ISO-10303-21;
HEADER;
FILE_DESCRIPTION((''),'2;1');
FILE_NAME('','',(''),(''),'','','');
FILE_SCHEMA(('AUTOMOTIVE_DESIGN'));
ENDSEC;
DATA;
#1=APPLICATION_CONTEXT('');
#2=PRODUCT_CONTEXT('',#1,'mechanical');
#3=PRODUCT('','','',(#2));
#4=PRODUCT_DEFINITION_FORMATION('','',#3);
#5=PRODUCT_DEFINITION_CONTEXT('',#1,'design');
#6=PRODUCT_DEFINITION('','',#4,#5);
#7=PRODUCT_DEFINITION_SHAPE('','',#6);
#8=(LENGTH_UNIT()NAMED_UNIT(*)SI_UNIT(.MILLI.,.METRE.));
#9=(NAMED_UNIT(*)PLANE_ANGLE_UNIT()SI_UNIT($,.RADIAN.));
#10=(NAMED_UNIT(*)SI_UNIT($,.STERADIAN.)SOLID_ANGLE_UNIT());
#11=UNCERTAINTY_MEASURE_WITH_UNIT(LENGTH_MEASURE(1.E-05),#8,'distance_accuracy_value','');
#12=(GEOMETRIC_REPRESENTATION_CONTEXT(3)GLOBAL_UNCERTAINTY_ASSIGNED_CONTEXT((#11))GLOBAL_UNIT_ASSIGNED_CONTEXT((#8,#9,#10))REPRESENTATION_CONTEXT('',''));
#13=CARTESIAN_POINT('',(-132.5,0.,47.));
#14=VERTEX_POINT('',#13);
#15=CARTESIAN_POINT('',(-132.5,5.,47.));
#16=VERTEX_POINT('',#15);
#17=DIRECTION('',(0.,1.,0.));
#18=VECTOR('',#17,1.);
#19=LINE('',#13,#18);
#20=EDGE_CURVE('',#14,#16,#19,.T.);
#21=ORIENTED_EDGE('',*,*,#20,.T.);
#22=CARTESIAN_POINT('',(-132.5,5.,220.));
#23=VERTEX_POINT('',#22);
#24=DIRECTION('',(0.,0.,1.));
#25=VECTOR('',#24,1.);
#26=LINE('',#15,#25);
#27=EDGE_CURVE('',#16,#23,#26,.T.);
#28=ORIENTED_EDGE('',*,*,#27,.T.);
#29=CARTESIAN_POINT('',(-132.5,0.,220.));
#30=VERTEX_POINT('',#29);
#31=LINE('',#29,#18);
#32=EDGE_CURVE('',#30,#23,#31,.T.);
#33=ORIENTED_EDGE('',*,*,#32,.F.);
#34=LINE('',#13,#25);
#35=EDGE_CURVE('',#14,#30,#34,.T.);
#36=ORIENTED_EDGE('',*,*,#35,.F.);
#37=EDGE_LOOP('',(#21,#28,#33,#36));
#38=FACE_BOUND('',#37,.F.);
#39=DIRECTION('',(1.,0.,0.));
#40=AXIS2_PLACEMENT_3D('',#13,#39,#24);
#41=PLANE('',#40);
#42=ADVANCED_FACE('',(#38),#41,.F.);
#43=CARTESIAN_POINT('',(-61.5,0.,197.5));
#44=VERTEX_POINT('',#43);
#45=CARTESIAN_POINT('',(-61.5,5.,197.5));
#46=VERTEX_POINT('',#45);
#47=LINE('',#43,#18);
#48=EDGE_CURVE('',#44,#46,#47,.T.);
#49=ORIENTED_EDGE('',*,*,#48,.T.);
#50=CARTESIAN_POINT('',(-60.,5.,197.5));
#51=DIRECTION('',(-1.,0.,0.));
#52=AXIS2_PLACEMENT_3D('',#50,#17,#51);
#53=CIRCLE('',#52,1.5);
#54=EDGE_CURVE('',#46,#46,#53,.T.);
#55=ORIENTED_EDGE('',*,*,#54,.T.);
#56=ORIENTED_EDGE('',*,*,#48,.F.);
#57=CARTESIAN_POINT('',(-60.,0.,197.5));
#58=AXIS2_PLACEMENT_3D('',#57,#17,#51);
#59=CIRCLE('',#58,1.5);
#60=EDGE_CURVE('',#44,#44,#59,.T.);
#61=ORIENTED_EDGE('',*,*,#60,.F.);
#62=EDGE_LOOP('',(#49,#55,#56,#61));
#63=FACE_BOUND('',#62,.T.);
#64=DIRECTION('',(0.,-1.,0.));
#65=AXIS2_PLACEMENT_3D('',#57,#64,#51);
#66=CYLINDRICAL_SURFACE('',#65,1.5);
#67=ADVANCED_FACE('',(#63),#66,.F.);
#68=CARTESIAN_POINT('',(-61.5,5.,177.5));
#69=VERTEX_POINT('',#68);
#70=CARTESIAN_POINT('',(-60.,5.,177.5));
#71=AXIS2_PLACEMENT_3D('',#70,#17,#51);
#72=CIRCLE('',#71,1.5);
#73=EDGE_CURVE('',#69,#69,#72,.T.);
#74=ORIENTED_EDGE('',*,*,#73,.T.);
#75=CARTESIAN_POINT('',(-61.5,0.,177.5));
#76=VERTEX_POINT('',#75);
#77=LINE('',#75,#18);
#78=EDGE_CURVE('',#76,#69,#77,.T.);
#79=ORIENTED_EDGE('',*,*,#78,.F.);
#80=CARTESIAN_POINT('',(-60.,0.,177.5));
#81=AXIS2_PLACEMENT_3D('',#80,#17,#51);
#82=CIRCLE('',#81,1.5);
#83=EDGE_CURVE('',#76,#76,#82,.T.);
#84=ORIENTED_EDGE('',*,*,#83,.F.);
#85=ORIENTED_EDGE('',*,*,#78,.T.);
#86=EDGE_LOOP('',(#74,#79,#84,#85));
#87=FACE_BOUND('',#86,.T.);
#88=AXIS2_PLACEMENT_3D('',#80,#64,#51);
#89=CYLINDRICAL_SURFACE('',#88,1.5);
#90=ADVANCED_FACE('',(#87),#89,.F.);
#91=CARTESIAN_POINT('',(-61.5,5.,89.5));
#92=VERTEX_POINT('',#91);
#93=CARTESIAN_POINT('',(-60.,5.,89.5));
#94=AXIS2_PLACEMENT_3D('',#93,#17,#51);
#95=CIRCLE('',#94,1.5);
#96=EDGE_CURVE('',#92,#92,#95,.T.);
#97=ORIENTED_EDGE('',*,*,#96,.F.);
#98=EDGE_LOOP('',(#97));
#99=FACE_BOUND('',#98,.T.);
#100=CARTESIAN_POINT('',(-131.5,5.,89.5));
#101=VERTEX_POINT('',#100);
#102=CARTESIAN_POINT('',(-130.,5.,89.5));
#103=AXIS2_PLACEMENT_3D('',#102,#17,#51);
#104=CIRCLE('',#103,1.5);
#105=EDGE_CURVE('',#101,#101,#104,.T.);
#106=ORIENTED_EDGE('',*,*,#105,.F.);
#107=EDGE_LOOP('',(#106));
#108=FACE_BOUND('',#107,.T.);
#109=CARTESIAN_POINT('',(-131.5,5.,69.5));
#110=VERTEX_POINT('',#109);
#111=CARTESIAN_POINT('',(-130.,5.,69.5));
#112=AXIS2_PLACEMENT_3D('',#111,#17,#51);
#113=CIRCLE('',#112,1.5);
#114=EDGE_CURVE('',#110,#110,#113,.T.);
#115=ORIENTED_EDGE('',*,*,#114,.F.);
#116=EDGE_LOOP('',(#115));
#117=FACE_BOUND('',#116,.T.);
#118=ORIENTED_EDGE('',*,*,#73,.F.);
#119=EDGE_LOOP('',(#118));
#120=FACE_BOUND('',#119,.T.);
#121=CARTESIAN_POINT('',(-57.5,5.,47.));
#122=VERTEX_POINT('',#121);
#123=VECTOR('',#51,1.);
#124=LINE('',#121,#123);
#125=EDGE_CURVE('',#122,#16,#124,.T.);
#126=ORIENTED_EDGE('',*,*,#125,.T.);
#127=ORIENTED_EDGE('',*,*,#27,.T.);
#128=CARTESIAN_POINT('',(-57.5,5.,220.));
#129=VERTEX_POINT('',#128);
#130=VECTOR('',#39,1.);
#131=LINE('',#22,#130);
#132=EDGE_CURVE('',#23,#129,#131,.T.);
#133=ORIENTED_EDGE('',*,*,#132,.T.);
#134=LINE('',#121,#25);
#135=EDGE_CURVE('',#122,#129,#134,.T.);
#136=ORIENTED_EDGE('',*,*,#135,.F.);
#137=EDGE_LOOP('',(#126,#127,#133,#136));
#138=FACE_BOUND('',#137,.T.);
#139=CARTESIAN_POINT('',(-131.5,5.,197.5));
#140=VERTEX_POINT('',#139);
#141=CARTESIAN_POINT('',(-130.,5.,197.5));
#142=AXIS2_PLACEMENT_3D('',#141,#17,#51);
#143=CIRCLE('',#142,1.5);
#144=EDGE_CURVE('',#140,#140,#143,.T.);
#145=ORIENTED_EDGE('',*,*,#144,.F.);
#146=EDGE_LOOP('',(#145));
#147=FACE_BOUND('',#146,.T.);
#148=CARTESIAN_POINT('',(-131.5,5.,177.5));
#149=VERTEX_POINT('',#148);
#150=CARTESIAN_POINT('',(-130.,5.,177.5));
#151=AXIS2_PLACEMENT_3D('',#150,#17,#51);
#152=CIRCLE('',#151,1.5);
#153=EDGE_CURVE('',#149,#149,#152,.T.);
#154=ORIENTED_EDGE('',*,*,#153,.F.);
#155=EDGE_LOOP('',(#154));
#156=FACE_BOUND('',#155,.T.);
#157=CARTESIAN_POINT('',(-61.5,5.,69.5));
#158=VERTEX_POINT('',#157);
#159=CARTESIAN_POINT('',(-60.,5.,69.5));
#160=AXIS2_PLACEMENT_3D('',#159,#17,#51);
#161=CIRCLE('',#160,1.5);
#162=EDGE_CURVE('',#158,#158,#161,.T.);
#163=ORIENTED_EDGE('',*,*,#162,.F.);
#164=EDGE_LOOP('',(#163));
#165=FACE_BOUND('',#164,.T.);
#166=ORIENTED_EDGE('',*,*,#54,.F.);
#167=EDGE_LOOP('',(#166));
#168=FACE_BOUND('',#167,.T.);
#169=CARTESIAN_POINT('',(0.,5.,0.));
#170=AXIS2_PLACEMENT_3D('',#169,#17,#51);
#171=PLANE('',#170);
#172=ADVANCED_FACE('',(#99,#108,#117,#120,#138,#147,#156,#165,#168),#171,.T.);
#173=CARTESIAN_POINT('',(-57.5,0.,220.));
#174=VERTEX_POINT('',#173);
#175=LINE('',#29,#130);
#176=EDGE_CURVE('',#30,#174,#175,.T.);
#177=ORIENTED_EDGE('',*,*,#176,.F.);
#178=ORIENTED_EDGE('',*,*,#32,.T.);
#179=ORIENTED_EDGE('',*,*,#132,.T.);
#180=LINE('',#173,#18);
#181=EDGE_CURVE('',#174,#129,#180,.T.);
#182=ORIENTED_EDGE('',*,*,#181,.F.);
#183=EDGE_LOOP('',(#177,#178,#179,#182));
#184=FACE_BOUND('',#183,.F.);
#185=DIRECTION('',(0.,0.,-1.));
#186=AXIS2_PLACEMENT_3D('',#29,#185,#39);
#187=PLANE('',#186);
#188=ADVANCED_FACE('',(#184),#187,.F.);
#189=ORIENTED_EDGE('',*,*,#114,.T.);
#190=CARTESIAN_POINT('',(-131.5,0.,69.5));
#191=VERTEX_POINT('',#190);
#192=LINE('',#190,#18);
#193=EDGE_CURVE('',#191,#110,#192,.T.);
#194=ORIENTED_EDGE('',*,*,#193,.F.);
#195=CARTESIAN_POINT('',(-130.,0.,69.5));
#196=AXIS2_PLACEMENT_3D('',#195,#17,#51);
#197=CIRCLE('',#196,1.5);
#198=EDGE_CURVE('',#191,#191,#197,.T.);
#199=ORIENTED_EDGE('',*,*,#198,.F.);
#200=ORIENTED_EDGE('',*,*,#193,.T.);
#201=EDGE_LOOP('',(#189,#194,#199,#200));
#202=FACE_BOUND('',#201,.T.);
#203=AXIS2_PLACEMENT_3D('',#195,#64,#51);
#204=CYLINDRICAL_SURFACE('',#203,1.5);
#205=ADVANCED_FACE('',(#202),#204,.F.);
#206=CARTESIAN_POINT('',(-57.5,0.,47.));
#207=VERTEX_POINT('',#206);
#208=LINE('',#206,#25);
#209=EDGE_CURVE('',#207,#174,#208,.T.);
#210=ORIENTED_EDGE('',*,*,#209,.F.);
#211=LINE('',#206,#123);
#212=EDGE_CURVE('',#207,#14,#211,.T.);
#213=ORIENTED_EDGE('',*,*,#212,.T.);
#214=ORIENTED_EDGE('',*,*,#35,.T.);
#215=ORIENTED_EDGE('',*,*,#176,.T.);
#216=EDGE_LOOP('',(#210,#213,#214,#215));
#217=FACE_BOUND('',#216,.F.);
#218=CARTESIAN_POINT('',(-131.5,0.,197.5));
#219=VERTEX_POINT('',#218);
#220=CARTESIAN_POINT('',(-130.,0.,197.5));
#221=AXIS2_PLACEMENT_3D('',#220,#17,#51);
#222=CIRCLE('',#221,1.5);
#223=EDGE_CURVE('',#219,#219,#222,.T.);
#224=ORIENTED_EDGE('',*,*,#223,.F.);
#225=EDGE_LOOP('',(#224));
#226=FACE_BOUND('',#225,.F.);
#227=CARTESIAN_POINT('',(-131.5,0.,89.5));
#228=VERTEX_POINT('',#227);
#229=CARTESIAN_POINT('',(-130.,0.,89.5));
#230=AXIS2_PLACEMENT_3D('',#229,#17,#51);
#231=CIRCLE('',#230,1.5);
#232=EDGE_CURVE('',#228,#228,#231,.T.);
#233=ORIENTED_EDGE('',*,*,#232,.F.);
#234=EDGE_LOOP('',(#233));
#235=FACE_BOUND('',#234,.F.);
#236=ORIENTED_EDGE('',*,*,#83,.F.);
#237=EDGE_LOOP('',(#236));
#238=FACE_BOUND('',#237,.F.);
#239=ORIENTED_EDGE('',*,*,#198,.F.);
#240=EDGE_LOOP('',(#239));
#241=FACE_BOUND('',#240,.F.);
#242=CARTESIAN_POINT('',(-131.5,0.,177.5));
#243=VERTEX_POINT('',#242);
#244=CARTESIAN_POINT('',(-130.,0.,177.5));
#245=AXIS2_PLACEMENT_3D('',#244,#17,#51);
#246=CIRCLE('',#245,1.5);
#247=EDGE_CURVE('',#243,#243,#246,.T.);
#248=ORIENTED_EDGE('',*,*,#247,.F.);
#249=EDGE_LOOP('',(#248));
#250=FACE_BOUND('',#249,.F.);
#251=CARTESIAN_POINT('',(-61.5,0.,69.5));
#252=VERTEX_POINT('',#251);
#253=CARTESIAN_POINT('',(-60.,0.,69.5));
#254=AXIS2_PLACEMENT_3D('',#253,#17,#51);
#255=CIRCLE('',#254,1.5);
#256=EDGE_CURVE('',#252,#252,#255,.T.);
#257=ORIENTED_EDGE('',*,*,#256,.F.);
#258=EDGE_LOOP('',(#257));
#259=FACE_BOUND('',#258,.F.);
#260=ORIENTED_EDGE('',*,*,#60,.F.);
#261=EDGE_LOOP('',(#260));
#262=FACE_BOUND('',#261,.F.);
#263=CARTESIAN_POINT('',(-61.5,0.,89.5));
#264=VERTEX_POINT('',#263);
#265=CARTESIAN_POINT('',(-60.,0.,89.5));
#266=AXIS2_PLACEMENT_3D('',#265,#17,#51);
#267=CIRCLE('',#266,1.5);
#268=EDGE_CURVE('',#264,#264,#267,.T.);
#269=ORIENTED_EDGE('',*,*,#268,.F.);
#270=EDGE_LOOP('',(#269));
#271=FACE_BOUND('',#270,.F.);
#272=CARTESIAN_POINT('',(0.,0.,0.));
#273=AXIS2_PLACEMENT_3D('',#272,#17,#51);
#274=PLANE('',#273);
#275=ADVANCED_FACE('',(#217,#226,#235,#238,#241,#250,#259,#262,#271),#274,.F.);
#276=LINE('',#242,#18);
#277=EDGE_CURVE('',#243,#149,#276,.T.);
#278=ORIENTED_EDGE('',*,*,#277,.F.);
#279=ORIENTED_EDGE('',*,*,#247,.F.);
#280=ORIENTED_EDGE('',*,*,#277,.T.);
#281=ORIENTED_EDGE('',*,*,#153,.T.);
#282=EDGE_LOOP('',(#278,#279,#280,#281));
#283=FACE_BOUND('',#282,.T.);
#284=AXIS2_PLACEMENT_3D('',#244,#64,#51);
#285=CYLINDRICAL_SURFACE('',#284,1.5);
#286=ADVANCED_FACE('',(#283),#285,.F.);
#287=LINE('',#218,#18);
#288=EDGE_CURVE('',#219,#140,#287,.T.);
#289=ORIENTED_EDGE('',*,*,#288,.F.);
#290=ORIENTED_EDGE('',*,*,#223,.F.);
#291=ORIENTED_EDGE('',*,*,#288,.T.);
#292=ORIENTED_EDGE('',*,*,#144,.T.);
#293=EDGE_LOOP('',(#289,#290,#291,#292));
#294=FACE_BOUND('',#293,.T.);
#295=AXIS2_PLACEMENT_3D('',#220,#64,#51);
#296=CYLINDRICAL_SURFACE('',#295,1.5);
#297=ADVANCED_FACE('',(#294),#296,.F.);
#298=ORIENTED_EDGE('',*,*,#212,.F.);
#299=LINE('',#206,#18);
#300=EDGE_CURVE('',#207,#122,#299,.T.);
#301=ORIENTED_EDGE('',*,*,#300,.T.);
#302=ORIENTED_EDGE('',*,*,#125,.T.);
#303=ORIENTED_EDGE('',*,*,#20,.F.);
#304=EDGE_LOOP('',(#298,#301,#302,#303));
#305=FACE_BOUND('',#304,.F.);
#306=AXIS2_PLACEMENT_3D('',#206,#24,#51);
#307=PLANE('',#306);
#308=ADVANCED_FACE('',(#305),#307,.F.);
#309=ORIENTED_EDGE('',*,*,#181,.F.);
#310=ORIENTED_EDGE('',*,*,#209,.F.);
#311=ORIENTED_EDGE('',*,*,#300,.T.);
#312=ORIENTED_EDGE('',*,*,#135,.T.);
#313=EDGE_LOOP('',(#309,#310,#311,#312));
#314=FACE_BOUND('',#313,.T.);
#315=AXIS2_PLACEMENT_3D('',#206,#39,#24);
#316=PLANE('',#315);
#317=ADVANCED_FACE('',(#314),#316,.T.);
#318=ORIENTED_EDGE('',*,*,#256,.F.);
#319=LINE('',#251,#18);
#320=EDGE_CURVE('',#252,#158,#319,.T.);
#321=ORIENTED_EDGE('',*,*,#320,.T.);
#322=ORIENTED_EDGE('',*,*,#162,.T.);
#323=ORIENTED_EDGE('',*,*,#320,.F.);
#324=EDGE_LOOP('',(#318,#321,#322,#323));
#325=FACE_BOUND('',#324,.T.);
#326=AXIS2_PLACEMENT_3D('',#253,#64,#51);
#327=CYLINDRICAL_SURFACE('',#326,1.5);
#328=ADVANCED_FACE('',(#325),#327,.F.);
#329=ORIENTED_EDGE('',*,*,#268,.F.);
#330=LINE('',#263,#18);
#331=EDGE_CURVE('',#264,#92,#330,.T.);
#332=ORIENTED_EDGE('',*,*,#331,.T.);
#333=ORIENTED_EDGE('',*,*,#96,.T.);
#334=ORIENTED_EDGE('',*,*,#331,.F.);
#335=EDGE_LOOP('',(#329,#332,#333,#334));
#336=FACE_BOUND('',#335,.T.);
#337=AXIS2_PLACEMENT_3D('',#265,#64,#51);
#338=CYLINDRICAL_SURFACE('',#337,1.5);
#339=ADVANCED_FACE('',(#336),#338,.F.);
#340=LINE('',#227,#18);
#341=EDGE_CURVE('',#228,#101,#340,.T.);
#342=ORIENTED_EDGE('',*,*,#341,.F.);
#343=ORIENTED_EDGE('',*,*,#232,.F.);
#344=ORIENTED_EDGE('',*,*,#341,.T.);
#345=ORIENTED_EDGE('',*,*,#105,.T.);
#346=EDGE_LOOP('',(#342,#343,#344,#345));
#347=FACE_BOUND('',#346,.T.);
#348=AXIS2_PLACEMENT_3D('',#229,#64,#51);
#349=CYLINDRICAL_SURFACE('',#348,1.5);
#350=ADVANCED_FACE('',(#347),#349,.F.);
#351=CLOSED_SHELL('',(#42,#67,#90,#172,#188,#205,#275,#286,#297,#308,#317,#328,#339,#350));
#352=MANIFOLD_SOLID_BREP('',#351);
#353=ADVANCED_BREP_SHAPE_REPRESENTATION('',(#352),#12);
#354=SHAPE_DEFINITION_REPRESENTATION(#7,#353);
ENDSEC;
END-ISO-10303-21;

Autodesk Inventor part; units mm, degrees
ref_plane "YZ Plane" through (0, 0, 0) normal (1, 0, 0) x (0, 1, 0)
ref_plane "XZ Plane" through (0, 0, 0) normal (0, 1, 0) x (-1, 0, 0)
ref_plane "XY Plane" through (0, 0, 0) normal (0, 0, 1) x (1, 0, 0)
sketch "Эскиз1" plane through (0, 0, 0) normal (0, 1, 0) x (-1, 0, 0)
  line L0 (57.5, 47) -> (132.5, 47)
  line L1 (132.5, 47) -> (132.5, 220)
  line L2 (132.5, 220) -> (57.5, 220)
  line L3 (57.5, 47) -> (57.5, 220)
  circle A0 centre (130, 197.5) radius 1.5
  circle A1 centre (130, 177.5) radius 1.5
  circle A2 centre (130, 69.5) radius 1.5
  circle A3 centre (130, 89.5) radius 1.5
  circle A4 centre (60, 197.5) radius 1.5
  circle A5 centre (60, 177.5) radius 1.5
  circle A6 centre (60, 69.5) radius 1.5
  circle A7 centre (60, 89.5) radius 1.5
  point P0 (0, 0)
  dimension "d10" = 3
  dimension "d11" = 3
extrude "Выдавливание1" add sketch "Эскиз1" along normal blind 5
properties part number "Крышка на отсек с батареей"
